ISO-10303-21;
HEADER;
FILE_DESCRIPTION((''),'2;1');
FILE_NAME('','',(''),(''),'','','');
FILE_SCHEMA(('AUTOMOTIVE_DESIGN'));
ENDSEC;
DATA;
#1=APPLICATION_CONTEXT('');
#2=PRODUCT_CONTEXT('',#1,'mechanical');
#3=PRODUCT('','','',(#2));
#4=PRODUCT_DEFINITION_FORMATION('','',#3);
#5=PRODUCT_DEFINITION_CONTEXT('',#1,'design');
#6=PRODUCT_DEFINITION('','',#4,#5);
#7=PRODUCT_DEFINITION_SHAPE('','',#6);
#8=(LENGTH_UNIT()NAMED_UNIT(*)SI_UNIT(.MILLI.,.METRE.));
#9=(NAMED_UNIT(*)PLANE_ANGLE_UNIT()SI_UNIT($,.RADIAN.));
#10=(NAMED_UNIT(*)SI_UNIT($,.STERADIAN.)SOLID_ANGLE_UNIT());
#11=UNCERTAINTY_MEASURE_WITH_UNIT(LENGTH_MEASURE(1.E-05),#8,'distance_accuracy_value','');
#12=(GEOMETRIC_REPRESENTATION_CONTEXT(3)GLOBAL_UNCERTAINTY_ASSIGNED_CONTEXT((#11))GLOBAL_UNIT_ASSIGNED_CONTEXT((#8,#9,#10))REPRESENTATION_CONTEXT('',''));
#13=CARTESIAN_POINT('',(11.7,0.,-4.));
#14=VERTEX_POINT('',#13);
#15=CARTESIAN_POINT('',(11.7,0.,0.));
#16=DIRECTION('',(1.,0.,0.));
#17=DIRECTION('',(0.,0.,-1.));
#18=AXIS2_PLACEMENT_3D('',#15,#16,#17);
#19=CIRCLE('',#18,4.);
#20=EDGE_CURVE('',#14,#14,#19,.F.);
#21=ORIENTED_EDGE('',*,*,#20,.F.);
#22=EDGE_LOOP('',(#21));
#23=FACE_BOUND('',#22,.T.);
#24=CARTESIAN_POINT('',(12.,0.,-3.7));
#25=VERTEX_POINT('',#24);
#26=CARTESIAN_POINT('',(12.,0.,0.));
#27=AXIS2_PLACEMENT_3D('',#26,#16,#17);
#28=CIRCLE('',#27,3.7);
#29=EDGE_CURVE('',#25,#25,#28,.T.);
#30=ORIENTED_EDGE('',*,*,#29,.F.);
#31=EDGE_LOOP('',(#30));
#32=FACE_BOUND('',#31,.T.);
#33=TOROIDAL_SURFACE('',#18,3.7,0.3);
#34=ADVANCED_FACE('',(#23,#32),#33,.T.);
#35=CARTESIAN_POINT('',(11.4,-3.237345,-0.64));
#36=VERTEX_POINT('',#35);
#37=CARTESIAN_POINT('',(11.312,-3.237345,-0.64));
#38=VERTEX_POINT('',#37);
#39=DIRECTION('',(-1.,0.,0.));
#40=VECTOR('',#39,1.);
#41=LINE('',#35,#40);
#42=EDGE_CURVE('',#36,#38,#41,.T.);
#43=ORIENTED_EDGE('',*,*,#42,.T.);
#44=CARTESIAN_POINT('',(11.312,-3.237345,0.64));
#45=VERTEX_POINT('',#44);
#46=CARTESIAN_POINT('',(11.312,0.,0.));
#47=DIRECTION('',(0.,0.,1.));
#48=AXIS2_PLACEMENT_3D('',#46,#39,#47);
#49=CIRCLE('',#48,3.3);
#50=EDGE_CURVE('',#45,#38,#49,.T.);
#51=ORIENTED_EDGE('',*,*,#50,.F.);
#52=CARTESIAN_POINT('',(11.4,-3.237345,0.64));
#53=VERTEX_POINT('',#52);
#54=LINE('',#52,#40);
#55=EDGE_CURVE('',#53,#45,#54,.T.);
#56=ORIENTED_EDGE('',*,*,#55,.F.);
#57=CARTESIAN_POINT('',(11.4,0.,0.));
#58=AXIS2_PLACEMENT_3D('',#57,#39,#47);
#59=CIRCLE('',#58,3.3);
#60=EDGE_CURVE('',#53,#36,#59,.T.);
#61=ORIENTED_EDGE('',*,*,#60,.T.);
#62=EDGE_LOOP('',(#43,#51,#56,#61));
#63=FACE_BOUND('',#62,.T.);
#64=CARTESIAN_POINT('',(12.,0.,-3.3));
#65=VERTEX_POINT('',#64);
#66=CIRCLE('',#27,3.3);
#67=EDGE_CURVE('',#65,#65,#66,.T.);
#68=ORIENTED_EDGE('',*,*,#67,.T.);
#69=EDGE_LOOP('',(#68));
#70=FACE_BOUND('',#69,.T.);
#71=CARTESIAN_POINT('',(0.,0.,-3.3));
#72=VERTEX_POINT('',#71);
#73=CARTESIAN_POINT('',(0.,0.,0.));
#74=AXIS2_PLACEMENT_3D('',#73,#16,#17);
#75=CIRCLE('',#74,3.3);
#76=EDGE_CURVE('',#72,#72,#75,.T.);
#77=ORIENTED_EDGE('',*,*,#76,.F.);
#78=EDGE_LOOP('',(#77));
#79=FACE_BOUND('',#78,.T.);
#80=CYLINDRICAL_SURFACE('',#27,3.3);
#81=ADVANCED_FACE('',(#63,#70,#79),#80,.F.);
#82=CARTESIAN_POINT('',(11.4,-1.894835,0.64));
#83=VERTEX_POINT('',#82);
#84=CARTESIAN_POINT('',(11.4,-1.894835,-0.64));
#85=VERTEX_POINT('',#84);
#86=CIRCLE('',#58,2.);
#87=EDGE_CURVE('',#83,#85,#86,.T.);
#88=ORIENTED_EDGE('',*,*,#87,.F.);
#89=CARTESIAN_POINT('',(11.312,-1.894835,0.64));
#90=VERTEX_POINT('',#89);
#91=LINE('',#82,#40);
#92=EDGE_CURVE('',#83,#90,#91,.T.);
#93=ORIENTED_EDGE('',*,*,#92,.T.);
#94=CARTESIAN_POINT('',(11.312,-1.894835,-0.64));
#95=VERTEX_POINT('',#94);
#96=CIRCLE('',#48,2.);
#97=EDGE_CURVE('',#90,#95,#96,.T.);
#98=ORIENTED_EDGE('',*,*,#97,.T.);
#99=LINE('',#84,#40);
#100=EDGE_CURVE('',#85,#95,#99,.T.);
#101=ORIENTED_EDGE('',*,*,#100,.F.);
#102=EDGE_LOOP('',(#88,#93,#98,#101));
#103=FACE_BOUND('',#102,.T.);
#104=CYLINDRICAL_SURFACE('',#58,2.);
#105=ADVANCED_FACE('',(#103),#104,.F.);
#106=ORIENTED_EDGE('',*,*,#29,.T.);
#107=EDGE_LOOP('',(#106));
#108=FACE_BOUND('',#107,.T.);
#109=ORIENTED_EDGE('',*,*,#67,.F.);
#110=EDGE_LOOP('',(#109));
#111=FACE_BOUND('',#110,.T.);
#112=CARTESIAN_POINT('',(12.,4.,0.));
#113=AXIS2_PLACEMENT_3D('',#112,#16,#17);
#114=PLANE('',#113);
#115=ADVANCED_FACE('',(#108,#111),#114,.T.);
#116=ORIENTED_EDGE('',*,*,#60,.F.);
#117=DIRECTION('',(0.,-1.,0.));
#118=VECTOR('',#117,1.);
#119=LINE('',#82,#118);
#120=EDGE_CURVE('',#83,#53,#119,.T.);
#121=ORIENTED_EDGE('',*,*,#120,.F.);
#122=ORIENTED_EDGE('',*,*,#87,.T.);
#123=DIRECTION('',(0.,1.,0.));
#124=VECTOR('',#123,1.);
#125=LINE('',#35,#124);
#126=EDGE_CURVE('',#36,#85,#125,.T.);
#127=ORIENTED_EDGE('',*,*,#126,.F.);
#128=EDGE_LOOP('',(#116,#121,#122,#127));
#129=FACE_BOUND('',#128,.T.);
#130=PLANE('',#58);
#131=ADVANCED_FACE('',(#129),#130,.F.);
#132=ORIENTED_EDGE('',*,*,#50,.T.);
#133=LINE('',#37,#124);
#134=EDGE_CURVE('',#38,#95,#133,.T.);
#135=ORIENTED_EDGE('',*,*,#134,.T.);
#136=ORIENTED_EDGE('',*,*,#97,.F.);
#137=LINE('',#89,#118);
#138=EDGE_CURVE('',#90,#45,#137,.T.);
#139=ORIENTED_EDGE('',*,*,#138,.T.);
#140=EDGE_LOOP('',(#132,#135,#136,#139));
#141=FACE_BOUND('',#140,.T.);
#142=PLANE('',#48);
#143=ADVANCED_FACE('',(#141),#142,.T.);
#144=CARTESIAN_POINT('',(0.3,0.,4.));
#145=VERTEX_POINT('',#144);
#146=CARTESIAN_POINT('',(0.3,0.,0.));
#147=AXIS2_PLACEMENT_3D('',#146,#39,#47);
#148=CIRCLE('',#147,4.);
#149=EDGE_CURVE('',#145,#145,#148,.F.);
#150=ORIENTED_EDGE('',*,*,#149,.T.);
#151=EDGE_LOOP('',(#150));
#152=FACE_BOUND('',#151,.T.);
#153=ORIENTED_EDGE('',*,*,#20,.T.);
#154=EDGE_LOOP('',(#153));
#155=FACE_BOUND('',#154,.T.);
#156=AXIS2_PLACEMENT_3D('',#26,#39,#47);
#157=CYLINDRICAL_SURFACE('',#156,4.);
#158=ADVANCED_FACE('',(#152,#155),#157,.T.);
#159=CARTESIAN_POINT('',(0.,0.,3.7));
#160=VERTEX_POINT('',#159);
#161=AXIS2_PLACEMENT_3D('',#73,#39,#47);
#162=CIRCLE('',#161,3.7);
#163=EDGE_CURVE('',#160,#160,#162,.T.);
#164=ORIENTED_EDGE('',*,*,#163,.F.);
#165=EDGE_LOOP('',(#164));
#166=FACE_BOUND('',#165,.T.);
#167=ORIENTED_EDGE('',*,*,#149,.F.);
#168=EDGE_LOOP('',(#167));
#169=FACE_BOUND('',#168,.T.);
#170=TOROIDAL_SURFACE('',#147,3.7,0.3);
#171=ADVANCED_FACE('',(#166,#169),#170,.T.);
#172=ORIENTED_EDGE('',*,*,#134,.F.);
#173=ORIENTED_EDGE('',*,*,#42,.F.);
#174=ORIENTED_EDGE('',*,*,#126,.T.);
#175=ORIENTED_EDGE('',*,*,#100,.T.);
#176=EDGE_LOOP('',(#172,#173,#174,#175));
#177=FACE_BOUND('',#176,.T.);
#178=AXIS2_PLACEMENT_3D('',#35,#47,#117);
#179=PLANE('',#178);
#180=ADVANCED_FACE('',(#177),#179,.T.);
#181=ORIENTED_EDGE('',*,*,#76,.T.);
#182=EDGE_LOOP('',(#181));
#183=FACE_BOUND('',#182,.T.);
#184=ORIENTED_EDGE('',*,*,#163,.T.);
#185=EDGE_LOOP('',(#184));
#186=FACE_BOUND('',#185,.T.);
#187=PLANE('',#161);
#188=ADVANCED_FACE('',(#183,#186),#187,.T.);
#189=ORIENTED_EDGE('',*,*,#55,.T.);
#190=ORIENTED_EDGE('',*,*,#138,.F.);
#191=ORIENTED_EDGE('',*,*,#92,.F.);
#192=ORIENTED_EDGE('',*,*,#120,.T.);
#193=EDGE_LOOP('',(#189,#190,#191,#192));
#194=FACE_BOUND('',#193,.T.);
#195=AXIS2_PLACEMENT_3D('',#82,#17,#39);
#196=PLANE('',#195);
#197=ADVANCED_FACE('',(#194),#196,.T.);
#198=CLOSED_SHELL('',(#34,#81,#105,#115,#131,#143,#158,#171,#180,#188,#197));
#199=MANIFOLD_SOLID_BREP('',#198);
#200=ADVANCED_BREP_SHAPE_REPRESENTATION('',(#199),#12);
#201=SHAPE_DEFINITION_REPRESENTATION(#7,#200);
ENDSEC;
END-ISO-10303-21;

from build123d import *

# Parameters (mm, degrees)
SKETCH1_W                  = 12
SKETCH1_H                  = 4
F_6_6_6_6_DIAMETER_HOLE1_D = 6.6
BOSS_EXTRUDE1_DEPTH        = 0.088
FILLET1_R                  = 0.3


with BuildPart() as part:
    # Sketch1 → Revolve1 (revolve)
    with BuildSketch(Plane(origin=(0, 0, 0), x_dir=(-1, 0, 0), z_dir=(0, 0, -1)), mode=Mode.PRIVATE) as revolve1_sk:
        with Locations((-6, 2)):
            Rectangle(SKETCH1_W, SKETCH1_H)
    revolve(revolve1_sk.sketch.rotate(Axis((12, 0, 0), (-1, 0, 0)), 270), axis=Axis((12, 0, 0), (-1, 0, 0)))

    # Ø6.6 (6.6) Diameter Hole1 (through all)
    with Locations(Plane(origin=(12, 0, 0), x_dir=(0, 0, -1), z_dir=(1, 0, 0))):
        with Locations((0, 0)):
            Hole(F_6_6_6_6_DIAMETER_HOLE1_D / 2)

    # Sketch4 → Boss-Extrude1 (add)
    with BuildSketch(Plane(origin=(11.312, 0, 0), x_dir=(0, -1, 0), z_dir=(-1, 0, 0))):
        with BuildLine():
            Line((1.894835085, 0.64), (3.237344591, 0.64))
            ThreePointArc((3.237344591, 0.64), (-3.3, 0), (3.237344591, -0.64))
            Line((3.237344591, -0.64), (1.894835085, -0.64))
            ThreePointArc((1.894835085, -0.64), (2, 0), (1.894835085, 0.64))
        make_face()
    extrude(amount=-BOSS_EXTRUDE1_DEPTH)

    # Sketch5 → Cut-Revolve1 (revolve, cut)
    with BuildSketch(Plane(origin=(0, 0, 0), x_dir=(-1, 0, 0), z_dir=(0, 0, -1)), mode=Mode.PRIVATE) as cut_revolve1_sk:
        Polygon((-11.4, 2), (-11.4, 0), (0, 0), (0, 3.3), (-0.6, 3.3), (-0.6, 2), align=None)
    revolve(cut_revolve1_sk.sketch.rotate(Axis((11.4, 0, 0), (-1, 0, 0)), 90), axis=Axis((11.4, 0, 0), (-1, 0, 0)), mode=Mode.SUBTRACT)

    # Fillet1
    fillet1_edges = [part.edges().sort_by_distance(p)[0] for p in [
        (0, 0, -4),
        (12, 0, -4),
    ]]
    fillet(fillet1_edges, radius=FILLET1_R)


solid = part.part
